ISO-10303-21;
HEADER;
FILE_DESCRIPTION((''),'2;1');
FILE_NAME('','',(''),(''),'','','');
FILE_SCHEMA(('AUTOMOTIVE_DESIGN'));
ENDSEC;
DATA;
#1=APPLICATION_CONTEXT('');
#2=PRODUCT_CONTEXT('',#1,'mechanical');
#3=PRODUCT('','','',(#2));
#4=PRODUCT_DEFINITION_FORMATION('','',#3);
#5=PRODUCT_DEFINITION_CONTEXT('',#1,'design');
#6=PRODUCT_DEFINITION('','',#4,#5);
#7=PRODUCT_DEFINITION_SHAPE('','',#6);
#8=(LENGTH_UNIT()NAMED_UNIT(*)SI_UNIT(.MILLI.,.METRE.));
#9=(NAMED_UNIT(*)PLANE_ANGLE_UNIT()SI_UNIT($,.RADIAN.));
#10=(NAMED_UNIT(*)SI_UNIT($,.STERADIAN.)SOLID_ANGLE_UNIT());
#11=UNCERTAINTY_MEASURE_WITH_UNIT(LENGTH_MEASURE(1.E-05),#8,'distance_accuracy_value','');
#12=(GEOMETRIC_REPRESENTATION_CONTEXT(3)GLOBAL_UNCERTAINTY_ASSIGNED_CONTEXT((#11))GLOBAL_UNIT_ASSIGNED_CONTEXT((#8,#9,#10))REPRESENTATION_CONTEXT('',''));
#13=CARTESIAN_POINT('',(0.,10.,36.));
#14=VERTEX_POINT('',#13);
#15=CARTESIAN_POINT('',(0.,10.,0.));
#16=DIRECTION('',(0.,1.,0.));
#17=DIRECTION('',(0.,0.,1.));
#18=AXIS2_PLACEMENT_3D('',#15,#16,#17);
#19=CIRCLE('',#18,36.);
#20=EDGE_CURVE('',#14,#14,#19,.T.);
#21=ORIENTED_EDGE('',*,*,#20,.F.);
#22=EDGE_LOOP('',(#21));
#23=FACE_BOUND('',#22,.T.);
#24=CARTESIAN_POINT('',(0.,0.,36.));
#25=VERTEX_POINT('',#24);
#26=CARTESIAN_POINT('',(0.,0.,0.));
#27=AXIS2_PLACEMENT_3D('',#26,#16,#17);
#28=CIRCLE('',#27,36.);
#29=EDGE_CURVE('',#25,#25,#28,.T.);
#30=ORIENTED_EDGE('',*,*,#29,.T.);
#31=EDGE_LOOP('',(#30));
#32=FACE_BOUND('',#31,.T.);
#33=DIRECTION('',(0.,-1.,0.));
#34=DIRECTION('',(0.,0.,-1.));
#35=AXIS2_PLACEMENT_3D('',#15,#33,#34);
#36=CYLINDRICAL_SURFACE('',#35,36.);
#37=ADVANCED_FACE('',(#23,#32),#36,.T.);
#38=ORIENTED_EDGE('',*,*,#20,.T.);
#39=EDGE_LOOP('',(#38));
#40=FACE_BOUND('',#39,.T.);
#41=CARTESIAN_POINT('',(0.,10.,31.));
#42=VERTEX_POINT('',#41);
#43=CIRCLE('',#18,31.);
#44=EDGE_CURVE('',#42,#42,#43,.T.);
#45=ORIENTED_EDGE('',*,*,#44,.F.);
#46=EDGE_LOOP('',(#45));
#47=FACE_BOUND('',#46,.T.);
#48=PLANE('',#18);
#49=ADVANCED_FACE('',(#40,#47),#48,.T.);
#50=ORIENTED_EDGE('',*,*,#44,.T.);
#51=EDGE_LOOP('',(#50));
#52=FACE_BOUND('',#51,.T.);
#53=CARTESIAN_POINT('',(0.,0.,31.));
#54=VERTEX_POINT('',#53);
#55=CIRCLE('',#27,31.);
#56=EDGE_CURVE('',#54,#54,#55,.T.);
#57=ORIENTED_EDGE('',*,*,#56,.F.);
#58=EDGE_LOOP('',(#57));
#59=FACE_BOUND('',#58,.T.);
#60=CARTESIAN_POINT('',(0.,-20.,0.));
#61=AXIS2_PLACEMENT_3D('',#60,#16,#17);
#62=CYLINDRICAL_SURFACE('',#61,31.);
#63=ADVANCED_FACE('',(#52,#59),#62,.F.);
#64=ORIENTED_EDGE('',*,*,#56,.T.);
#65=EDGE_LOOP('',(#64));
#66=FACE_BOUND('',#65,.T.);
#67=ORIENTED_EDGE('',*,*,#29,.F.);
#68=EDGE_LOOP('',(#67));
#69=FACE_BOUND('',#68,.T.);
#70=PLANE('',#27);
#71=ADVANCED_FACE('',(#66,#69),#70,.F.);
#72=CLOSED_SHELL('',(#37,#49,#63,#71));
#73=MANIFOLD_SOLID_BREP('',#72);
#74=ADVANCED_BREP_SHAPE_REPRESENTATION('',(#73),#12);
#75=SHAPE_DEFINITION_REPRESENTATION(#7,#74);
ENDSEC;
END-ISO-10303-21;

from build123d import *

# Parameters (mm, degrees)
SKETCH_1_R          = 36
EXTRUDE_1_DEPTH     = 10
SKETCH_2_R          = 31
CUT_EXTRUDE_1_DEPTH = 30


with BuildPart() as part:
    # 草圖1 → 填料-伸長1 (new body)
    with BuildSketch(Plane(origin=(0, 0, 0), x_dir=(1, 0, 0), z_dir=(0, 1, 0))):
        with Locations(Location((0, 0, 0), (0, 0, 270))):
            Circle(SKETCH_1_R)
    extrude(amount=EXTRUDE_1_DEPTH)

    # 草圖2 → 除料-伸長1 (cut)
    with BuildSketch(Plane(origin=(0, 10, 0), x_dir=(1, 0, 0), z_dir=(0, 1, 0))):
        with Locations(Location((0, 0, 0), (0, 0, 270))):
            Circle(SKETCH_2_R)
    extrude(amount=-CUT_EXTRUDE_1_DEPTH, mode=Mode.SUBTRACT)


solid = part.part
